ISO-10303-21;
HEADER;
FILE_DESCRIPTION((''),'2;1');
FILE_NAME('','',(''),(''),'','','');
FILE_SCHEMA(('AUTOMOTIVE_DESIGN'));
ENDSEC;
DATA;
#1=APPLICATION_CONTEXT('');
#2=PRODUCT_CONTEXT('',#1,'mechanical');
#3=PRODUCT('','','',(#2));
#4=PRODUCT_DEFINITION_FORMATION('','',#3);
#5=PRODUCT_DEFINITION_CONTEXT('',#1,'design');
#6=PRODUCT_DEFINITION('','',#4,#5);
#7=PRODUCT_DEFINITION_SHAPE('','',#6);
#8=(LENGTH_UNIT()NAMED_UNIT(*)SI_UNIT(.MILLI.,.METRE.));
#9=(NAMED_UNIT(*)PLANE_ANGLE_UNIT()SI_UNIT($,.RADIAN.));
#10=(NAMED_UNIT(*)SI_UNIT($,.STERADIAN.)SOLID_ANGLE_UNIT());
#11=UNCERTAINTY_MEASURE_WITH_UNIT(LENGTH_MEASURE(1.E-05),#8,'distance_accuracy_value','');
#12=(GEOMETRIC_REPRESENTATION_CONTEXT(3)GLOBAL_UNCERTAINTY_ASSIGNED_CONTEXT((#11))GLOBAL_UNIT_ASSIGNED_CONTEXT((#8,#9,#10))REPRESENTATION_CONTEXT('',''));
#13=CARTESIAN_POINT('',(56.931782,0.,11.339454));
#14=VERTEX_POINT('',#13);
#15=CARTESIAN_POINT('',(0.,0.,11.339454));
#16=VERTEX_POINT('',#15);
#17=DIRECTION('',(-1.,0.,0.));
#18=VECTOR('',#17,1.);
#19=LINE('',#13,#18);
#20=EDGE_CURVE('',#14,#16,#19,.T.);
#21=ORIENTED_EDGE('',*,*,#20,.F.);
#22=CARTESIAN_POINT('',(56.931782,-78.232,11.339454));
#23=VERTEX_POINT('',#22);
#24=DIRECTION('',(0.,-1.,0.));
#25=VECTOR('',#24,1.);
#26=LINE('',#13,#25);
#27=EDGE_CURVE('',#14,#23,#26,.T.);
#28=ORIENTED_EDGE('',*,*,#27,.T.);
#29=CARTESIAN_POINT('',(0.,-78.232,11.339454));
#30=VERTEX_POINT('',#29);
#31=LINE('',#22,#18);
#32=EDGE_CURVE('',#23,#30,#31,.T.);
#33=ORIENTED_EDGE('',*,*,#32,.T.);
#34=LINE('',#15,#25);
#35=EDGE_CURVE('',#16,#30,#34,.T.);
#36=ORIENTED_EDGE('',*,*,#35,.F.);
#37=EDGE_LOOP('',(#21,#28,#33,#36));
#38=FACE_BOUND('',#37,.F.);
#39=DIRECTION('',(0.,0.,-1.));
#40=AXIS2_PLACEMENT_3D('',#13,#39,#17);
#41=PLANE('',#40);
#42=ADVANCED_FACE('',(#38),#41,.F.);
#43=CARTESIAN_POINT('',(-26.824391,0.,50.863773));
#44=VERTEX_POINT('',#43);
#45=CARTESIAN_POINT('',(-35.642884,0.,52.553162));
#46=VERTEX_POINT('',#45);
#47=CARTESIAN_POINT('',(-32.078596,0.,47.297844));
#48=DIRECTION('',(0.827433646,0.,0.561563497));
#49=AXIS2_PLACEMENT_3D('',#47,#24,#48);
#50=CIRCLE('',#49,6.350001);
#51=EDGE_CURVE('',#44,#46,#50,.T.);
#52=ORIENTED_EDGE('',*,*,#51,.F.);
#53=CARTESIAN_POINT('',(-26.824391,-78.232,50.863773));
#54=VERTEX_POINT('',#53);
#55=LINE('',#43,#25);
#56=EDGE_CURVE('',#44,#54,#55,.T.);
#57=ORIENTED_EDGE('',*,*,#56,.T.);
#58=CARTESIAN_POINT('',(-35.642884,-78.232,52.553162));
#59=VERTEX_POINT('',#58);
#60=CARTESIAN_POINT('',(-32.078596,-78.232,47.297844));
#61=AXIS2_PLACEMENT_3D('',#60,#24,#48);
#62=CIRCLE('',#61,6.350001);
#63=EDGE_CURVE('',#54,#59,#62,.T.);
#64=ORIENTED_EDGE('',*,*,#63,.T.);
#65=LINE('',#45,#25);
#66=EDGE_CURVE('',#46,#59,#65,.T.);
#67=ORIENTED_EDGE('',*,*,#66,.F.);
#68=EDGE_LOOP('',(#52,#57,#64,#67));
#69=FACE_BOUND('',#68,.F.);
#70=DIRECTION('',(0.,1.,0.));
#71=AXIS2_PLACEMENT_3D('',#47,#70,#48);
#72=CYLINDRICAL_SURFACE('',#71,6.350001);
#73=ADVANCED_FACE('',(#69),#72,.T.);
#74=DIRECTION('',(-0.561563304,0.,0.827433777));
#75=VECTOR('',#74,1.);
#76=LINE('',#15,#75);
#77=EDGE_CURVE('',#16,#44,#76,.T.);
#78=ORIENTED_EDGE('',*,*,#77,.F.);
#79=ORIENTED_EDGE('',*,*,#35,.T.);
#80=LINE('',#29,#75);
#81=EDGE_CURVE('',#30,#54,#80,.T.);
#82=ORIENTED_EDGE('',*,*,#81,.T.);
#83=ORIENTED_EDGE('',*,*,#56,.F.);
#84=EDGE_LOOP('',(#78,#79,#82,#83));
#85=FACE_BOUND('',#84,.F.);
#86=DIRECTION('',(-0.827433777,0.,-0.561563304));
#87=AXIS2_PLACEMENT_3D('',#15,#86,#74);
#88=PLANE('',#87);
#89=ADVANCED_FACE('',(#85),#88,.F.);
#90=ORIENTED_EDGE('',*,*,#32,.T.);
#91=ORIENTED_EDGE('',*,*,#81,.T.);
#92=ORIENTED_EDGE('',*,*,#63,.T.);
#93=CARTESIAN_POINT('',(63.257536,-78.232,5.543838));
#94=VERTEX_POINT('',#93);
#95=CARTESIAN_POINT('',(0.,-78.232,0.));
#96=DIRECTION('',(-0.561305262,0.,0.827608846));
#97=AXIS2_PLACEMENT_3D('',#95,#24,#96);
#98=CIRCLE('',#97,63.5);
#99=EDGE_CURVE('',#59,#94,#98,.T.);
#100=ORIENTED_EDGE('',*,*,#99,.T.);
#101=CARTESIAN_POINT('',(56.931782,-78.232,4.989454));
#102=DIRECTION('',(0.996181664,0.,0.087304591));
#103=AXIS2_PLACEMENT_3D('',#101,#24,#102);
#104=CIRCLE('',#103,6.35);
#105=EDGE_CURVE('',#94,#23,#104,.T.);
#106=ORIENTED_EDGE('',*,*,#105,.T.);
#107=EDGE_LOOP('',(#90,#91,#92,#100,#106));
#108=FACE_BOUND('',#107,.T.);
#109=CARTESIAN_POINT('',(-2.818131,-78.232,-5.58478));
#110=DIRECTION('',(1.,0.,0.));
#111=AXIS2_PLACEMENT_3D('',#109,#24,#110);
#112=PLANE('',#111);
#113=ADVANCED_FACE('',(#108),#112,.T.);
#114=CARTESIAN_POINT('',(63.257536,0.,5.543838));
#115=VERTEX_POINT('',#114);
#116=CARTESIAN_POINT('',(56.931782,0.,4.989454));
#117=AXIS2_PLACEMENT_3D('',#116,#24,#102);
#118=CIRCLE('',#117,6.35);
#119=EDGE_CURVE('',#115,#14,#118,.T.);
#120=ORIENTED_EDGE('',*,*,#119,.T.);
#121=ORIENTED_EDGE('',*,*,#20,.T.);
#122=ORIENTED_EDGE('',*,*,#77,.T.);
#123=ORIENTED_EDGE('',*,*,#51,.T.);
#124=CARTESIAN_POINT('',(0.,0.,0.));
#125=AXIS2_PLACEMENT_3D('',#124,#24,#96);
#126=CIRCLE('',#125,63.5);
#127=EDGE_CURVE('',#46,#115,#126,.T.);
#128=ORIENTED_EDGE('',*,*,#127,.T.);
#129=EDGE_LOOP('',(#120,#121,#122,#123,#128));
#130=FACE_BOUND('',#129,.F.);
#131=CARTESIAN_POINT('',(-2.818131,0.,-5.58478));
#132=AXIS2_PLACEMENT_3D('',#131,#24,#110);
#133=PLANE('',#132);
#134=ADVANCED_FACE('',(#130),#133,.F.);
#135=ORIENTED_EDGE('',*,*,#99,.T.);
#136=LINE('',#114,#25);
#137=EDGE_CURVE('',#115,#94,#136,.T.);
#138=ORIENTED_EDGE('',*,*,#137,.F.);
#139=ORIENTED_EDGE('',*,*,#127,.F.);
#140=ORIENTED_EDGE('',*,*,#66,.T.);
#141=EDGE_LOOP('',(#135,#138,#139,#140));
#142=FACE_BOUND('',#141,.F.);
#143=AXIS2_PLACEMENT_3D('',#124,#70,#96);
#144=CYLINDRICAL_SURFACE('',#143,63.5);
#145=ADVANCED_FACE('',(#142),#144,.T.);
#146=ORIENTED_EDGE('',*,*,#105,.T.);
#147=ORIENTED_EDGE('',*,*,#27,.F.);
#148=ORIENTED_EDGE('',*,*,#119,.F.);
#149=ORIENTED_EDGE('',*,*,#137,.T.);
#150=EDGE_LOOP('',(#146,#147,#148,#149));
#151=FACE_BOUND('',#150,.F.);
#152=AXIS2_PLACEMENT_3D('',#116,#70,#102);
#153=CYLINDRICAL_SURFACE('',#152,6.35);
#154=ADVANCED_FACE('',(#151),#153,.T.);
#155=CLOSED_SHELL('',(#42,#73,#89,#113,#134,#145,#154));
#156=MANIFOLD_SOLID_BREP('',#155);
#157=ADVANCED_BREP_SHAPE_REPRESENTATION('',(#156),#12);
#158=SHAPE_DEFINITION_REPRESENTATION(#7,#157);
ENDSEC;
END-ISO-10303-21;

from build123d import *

# Parameters (mm, degrees)
F1_DEPTH = 78.232


with BuildPart() as f1:
    # F0 (on Front) → F1 (new body)
    with BuildSketch(Plane.XZ):
        with BuildLine():
            ThreePointArc((-26.824391, 50.863773), (-30.883831, 53.534434), (-35.642884, 52.553162))
            ThreePointArc((-35.642884, 52.553162), (-27.260069, -57.351012), (63.257536, 5.543838))
            ThreePointArc((63.257536, 5.543838), (61.221431, 9.671485), (56.931782, 11.339454))
            Line((56.931782, 11.339454), (0, 11.339454))
            Line((0, 11.339454), (-26.824391, 50.863773))
        make_face()
    extrude(amount=F1_DEPTH)


solid = f1.part
